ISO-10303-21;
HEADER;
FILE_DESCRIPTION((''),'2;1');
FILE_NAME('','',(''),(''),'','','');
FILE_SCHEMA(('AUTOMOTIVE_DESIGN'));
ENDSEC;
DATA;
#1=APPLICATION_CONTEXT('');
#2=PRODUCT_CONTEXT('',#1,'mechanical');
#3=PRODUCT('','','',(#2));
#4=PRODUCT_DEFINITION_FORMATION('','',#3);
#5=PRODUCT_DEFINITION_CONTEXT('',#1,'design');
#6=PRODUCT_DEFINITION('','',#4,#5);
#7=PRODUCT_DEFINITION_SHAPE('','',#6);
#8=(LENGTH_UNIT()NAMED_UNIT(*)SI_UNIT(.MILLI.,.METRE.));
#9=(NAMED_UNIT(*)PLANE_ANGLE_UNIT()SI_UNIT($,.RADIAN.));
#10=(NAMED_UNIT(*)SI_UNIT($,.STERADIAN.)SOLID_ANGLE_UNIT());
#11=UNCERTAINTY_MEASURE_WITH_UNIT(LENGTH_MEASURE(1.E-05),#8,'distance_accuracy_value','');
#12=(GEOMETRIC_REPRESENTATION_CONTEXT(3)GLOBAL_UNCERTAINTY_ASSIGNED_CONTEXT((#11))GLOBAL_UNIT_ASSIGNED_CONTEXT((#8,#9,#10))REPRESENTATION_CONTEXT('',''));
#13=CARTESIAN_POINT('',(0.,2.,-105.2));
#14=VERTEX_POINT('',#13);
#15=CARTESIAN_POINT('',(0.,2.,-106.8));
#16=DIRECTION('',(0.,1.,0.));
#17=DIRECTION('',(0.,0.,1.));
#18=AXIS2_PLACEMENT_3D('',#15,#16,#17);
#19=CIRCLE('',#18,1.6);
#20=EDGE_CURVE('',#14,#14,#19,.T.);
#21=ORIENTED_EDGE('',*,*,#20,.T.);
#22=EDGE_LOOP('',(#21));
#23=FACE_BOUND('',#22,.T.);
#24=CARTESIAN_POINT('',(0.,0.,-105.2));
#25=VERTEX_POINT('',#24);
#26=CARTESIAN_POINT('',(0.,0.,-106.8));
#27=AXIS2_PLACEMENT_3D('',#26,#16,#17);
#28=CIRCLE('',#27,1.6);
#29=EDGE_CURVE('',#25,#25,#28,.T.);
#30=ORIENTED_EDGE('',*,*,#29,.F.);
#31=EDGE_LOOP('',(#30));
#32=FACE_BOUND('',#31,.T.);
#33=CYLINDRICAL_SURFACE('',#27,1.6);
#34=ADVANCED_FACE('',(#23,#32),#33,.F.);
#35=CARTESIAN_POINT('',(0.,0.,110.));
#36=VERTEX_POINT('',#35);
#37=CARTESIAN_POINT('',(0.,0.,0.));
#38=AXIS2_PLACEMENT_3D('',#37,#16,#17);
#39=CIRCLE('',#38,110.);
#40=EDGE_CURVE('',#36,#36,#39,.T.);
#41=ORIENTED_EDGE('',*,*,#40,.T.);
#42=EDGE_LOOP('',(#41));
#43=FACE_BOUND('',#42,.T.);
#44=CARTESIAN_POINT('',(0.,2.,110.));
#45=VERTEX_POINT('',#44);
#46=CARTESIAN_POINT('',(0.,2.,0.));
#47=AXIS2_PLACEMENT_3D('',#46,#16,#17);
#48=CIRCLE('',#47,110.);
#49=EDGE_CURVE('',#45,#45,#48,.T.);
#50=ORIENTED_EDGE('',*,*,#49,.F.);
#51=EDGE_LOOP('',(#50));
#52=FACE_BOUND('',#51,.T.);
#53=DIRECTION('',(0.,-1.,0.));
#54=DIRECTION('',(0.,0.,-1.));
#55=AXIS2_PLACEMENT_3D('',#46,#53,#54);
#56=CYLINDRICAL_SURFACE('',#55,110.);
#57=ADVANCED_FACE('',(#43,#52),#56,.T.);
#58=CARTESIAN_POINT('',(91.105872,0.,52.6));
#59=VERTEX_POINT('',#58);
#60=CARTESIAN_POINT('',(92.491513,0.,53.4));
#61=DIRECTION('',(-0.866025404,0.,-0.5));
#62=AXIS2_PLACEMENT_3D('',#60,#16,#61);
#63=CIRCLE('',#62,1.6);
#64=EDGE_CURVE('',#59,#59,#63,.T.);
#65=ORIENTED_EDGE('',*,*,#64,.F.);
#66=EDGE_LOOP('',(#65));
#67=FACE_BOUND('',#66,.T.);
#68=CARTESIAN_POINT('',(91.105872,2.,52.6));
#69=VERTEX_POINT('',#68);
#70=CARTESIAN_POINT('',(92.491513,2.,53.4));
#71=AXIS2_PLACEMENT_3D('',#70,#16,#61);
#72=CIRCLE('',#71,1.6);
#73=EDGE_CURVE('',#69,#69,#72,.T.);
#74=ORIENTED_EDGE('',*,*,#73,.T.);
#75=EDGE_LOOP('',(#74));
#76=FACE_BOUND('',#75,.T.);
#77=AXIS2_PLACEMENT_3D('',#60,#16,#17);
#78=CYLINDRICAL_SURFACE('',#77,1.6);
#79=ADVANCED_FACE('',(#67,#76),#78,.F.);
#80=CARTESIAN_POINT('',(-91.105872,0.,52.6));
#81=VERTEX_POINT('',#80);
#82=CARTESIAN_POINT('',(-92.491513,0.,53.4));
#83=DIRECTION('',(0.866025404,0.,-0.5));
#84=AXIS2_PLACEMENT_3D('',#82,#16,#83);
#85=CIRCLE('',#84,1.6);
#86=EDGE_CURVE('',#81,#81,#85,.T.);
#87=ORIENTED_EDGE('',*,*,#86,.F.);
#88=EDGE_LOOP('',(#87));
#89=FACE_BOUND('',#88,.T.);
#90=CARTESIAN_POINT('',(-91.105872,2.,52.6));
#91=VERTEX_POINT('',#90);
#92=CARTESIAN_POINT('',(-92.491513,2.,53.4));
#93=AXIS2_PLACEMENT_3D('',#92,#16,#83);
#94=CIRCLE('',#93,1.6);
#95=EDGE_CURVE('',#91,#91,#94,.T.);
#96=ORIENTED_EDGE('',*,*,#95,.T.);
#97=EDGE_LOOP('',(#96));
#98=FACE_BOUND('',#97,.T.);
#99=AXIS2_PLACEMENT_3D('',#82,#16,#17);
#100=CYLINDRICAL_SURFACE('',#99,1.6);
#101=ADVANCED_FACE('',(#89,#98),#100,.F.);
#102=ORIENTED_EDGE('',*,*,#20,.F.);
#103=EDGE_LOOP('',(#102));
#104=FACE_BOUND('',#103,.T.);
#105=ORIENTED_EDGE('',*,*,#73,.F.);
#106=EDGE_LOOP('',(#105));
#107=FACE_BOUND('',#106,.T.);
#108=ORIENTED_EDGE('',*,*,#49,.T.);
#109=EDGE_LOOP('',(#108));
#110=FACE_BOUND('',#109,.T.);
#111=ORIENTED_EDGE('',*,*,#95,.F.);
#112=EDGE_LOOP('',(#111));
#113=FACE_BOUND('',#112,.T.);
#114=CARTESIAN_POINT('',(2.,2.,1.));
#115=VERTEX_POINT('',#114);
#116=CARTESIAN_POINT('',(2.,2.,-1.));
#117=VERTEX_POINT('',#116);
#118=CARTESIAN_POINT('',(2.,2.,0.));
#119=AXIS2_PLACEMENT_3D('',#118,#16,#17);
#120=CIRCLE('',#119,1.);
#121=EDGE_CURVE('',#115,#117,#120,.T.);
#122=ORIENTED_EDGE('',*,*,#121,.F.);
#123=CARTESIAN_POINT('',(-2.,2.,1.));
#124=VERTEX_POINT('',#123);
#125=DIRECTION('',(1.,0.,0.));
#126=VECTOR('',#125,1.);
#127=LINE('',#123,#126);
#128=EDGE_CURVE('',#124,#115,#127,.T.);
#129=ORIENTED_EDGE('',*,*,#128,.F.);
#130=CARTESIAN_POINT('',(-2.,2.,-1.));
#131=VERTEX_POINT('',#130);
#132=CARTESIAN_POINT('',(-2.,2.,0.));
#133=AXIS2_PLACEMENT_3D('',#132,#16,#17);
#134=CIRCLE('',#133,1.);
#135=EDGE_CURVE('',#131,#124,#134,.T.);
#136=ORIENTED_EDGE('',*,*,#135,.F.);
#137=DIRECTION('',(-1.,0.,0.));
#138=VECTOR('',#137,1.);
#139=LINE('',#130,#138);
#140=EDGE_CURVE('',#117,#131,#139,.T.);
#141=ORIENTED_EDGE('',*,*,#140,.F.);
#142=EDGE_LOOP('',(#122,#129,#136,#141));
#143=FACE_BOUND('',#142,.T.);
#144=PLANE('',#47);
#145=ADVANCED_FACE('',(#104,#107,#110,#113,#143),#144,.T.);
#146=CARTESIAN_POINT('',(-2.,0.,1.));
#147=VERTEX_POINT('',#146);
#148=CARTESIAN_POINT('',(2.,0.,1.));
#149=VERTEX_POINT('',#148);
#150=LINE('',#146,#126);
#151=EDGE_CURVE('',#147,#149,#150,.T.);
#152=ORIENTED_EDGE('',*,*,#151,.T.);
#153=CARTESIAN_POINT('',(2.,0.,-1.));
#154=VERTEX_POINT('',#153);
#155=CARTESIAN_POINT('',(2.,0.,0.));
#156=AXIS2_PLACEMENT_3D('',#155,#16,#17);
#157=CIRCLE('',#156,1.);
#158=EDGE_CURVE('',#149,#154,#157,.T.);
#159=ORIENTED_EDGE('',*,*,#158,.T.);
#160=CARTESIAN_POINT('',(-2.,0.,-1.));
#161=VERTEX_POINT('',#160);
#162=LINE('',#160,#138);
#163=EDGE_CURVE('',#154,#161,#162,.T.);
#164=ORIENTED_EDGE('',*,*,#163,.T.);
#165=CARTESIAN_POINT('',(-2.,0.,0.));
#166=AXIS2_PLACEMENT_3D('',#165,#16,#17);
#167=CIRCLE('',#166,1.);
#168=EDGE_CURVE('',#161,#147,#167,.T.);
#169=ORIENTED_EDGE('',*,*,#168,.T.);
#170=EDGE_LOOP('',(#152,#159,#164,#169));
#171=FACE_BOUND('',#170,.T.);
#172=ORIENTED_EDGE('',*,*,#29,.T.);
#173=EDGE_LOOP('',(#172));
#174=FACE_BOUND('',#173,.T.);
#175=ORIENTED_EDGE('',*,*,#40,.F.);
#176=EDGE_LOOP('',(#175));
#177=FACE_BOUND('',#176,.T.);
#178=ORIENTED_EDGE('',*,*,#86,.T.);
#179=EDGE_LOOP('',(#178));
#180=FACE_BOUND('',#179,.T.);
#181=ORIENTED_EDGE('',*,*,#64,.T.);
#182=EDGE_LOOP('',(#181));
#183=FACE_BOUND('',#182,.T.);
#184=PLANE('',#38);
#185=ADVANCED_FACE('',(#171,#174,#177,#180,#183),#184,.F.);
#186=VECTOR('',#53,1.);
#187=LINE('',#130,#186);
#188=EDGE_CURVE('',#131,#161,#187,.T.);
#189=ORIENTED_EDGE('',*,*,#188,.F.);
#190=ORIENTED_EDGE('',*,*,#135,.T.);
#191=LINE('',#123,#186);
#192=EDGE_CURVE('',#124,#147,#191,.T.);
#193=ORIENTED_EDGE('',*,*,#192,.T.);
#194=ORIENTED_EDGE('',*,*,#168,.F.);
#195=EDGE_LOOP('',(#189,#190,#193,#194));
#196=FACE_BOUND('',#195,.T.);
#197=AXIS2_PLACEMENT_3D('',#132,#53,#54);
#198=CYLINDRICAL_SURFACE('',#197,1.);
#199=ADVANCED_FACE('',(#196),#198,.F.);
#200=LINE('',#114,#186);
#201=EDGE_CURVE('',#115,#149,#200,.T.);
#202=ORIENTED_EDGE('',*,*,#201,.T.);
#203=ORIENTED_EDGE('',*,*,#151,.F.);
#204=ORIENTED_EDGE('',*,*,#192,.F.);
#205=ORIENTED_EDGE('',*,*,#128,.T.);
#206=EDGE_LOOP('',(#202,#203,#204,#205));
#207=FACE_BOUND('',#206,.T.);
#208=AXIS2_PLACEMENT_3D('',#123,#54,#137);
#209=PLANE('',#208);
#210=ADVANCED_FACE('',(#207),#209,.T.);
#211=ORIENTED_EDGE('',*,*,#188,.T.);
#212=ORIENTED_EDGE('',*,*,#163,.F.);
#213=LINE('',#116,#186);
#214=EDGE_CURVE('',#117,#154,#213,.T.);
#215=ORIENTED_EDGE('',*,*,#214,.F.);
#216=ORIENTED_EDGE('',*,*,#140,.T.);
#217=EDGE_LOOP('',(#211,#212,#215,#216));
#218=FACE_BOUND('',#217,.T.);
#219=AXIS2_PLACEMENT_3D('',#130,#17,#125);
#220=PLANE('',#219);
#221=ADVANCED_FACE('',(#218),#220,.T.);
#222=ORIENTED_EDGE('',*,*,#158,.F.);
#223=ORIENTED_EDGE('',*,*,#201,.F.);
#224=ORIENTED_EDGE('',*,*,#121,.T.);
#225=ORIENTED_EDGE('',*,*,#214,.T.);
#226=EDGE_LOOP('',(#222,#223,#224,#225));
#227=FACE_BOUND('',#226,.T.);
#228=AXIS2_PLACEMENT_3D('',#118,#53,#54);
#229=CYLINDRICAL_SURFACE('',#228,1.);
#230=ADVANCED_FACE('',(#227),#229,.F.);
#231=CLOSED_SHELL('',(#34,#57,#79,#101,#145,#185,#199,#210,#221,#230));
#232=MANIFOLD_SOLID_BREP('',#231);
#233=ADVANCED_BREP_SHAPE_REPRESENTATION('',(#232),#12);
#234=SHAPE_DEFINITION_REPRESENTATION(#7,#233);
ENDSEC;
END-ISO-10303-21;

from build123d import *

# Parameters (mm, degrees)
ESQUISSE1_R                  = 110
BOSS_EXTRU_1_DEPTH           = 2
ESQUISSE2_R                  = 1.6
ENL_V_MAT_EXTRU_1_DEPTH      = 3
R_P_TITION_CIRCULAIRE2_COUNT = 3


with BuildPart() as part:
    # Esquisse1 → Boss.-Extru.1 (new body)
    with BuildSketch(Plane(origin=(0, 0, 0), x_dir=(1, 0, 0), z_dir=(0, 1, 0))):
        Circle(ESQUISSE1_R)
        with BuildLine():
            Line((-2, 1), (2, 1))
            ThreePointArc((2, 1), (3, 0), (2, -1))
            Line((2, -1), (-2, -1))
            ThreePointArc((-2, -1), (-3, 0), (-2, 1))
        make_face(mode=Mode.SUBTRACT)
    extrude(amount=BOSS_EXTRU_1_DEPTH)

    # Esquisse2 → Enlèv. mat.-Extru.1 (cut, through all)
    with BuildSketch(Plane(origin=(0, 2, 0), x_dir=(1, 0, 0), z_dir=(0, 1, 0))):
        with Locations((0, 106.8)):
            Circle(ESQUISSE2_R)
    enl_v_mat_extru_1 = extrude(amount=-ENL_V_MAT_EXTRU_1_DEPTH, mode=Mode.SUBTRACT)

    # Répétition circulaire2: Enlèv. mat.-Extru.1 ×3 about axis
    r_p_tition_circulaire2_axis = Axis((0, 0, 0), (0, 1, 0))
    for i in range(1, R_P_TITION_CIRCULAIRE2_COUNT):
        add(enl_v_mat_extru_1.rotate(r_p_tition_circulaire2_axis, i * 360 / R_P_TITION_CIRCULAIRE2_COUNT), mode=Mode.SUBTRACT)


solid = part.part
